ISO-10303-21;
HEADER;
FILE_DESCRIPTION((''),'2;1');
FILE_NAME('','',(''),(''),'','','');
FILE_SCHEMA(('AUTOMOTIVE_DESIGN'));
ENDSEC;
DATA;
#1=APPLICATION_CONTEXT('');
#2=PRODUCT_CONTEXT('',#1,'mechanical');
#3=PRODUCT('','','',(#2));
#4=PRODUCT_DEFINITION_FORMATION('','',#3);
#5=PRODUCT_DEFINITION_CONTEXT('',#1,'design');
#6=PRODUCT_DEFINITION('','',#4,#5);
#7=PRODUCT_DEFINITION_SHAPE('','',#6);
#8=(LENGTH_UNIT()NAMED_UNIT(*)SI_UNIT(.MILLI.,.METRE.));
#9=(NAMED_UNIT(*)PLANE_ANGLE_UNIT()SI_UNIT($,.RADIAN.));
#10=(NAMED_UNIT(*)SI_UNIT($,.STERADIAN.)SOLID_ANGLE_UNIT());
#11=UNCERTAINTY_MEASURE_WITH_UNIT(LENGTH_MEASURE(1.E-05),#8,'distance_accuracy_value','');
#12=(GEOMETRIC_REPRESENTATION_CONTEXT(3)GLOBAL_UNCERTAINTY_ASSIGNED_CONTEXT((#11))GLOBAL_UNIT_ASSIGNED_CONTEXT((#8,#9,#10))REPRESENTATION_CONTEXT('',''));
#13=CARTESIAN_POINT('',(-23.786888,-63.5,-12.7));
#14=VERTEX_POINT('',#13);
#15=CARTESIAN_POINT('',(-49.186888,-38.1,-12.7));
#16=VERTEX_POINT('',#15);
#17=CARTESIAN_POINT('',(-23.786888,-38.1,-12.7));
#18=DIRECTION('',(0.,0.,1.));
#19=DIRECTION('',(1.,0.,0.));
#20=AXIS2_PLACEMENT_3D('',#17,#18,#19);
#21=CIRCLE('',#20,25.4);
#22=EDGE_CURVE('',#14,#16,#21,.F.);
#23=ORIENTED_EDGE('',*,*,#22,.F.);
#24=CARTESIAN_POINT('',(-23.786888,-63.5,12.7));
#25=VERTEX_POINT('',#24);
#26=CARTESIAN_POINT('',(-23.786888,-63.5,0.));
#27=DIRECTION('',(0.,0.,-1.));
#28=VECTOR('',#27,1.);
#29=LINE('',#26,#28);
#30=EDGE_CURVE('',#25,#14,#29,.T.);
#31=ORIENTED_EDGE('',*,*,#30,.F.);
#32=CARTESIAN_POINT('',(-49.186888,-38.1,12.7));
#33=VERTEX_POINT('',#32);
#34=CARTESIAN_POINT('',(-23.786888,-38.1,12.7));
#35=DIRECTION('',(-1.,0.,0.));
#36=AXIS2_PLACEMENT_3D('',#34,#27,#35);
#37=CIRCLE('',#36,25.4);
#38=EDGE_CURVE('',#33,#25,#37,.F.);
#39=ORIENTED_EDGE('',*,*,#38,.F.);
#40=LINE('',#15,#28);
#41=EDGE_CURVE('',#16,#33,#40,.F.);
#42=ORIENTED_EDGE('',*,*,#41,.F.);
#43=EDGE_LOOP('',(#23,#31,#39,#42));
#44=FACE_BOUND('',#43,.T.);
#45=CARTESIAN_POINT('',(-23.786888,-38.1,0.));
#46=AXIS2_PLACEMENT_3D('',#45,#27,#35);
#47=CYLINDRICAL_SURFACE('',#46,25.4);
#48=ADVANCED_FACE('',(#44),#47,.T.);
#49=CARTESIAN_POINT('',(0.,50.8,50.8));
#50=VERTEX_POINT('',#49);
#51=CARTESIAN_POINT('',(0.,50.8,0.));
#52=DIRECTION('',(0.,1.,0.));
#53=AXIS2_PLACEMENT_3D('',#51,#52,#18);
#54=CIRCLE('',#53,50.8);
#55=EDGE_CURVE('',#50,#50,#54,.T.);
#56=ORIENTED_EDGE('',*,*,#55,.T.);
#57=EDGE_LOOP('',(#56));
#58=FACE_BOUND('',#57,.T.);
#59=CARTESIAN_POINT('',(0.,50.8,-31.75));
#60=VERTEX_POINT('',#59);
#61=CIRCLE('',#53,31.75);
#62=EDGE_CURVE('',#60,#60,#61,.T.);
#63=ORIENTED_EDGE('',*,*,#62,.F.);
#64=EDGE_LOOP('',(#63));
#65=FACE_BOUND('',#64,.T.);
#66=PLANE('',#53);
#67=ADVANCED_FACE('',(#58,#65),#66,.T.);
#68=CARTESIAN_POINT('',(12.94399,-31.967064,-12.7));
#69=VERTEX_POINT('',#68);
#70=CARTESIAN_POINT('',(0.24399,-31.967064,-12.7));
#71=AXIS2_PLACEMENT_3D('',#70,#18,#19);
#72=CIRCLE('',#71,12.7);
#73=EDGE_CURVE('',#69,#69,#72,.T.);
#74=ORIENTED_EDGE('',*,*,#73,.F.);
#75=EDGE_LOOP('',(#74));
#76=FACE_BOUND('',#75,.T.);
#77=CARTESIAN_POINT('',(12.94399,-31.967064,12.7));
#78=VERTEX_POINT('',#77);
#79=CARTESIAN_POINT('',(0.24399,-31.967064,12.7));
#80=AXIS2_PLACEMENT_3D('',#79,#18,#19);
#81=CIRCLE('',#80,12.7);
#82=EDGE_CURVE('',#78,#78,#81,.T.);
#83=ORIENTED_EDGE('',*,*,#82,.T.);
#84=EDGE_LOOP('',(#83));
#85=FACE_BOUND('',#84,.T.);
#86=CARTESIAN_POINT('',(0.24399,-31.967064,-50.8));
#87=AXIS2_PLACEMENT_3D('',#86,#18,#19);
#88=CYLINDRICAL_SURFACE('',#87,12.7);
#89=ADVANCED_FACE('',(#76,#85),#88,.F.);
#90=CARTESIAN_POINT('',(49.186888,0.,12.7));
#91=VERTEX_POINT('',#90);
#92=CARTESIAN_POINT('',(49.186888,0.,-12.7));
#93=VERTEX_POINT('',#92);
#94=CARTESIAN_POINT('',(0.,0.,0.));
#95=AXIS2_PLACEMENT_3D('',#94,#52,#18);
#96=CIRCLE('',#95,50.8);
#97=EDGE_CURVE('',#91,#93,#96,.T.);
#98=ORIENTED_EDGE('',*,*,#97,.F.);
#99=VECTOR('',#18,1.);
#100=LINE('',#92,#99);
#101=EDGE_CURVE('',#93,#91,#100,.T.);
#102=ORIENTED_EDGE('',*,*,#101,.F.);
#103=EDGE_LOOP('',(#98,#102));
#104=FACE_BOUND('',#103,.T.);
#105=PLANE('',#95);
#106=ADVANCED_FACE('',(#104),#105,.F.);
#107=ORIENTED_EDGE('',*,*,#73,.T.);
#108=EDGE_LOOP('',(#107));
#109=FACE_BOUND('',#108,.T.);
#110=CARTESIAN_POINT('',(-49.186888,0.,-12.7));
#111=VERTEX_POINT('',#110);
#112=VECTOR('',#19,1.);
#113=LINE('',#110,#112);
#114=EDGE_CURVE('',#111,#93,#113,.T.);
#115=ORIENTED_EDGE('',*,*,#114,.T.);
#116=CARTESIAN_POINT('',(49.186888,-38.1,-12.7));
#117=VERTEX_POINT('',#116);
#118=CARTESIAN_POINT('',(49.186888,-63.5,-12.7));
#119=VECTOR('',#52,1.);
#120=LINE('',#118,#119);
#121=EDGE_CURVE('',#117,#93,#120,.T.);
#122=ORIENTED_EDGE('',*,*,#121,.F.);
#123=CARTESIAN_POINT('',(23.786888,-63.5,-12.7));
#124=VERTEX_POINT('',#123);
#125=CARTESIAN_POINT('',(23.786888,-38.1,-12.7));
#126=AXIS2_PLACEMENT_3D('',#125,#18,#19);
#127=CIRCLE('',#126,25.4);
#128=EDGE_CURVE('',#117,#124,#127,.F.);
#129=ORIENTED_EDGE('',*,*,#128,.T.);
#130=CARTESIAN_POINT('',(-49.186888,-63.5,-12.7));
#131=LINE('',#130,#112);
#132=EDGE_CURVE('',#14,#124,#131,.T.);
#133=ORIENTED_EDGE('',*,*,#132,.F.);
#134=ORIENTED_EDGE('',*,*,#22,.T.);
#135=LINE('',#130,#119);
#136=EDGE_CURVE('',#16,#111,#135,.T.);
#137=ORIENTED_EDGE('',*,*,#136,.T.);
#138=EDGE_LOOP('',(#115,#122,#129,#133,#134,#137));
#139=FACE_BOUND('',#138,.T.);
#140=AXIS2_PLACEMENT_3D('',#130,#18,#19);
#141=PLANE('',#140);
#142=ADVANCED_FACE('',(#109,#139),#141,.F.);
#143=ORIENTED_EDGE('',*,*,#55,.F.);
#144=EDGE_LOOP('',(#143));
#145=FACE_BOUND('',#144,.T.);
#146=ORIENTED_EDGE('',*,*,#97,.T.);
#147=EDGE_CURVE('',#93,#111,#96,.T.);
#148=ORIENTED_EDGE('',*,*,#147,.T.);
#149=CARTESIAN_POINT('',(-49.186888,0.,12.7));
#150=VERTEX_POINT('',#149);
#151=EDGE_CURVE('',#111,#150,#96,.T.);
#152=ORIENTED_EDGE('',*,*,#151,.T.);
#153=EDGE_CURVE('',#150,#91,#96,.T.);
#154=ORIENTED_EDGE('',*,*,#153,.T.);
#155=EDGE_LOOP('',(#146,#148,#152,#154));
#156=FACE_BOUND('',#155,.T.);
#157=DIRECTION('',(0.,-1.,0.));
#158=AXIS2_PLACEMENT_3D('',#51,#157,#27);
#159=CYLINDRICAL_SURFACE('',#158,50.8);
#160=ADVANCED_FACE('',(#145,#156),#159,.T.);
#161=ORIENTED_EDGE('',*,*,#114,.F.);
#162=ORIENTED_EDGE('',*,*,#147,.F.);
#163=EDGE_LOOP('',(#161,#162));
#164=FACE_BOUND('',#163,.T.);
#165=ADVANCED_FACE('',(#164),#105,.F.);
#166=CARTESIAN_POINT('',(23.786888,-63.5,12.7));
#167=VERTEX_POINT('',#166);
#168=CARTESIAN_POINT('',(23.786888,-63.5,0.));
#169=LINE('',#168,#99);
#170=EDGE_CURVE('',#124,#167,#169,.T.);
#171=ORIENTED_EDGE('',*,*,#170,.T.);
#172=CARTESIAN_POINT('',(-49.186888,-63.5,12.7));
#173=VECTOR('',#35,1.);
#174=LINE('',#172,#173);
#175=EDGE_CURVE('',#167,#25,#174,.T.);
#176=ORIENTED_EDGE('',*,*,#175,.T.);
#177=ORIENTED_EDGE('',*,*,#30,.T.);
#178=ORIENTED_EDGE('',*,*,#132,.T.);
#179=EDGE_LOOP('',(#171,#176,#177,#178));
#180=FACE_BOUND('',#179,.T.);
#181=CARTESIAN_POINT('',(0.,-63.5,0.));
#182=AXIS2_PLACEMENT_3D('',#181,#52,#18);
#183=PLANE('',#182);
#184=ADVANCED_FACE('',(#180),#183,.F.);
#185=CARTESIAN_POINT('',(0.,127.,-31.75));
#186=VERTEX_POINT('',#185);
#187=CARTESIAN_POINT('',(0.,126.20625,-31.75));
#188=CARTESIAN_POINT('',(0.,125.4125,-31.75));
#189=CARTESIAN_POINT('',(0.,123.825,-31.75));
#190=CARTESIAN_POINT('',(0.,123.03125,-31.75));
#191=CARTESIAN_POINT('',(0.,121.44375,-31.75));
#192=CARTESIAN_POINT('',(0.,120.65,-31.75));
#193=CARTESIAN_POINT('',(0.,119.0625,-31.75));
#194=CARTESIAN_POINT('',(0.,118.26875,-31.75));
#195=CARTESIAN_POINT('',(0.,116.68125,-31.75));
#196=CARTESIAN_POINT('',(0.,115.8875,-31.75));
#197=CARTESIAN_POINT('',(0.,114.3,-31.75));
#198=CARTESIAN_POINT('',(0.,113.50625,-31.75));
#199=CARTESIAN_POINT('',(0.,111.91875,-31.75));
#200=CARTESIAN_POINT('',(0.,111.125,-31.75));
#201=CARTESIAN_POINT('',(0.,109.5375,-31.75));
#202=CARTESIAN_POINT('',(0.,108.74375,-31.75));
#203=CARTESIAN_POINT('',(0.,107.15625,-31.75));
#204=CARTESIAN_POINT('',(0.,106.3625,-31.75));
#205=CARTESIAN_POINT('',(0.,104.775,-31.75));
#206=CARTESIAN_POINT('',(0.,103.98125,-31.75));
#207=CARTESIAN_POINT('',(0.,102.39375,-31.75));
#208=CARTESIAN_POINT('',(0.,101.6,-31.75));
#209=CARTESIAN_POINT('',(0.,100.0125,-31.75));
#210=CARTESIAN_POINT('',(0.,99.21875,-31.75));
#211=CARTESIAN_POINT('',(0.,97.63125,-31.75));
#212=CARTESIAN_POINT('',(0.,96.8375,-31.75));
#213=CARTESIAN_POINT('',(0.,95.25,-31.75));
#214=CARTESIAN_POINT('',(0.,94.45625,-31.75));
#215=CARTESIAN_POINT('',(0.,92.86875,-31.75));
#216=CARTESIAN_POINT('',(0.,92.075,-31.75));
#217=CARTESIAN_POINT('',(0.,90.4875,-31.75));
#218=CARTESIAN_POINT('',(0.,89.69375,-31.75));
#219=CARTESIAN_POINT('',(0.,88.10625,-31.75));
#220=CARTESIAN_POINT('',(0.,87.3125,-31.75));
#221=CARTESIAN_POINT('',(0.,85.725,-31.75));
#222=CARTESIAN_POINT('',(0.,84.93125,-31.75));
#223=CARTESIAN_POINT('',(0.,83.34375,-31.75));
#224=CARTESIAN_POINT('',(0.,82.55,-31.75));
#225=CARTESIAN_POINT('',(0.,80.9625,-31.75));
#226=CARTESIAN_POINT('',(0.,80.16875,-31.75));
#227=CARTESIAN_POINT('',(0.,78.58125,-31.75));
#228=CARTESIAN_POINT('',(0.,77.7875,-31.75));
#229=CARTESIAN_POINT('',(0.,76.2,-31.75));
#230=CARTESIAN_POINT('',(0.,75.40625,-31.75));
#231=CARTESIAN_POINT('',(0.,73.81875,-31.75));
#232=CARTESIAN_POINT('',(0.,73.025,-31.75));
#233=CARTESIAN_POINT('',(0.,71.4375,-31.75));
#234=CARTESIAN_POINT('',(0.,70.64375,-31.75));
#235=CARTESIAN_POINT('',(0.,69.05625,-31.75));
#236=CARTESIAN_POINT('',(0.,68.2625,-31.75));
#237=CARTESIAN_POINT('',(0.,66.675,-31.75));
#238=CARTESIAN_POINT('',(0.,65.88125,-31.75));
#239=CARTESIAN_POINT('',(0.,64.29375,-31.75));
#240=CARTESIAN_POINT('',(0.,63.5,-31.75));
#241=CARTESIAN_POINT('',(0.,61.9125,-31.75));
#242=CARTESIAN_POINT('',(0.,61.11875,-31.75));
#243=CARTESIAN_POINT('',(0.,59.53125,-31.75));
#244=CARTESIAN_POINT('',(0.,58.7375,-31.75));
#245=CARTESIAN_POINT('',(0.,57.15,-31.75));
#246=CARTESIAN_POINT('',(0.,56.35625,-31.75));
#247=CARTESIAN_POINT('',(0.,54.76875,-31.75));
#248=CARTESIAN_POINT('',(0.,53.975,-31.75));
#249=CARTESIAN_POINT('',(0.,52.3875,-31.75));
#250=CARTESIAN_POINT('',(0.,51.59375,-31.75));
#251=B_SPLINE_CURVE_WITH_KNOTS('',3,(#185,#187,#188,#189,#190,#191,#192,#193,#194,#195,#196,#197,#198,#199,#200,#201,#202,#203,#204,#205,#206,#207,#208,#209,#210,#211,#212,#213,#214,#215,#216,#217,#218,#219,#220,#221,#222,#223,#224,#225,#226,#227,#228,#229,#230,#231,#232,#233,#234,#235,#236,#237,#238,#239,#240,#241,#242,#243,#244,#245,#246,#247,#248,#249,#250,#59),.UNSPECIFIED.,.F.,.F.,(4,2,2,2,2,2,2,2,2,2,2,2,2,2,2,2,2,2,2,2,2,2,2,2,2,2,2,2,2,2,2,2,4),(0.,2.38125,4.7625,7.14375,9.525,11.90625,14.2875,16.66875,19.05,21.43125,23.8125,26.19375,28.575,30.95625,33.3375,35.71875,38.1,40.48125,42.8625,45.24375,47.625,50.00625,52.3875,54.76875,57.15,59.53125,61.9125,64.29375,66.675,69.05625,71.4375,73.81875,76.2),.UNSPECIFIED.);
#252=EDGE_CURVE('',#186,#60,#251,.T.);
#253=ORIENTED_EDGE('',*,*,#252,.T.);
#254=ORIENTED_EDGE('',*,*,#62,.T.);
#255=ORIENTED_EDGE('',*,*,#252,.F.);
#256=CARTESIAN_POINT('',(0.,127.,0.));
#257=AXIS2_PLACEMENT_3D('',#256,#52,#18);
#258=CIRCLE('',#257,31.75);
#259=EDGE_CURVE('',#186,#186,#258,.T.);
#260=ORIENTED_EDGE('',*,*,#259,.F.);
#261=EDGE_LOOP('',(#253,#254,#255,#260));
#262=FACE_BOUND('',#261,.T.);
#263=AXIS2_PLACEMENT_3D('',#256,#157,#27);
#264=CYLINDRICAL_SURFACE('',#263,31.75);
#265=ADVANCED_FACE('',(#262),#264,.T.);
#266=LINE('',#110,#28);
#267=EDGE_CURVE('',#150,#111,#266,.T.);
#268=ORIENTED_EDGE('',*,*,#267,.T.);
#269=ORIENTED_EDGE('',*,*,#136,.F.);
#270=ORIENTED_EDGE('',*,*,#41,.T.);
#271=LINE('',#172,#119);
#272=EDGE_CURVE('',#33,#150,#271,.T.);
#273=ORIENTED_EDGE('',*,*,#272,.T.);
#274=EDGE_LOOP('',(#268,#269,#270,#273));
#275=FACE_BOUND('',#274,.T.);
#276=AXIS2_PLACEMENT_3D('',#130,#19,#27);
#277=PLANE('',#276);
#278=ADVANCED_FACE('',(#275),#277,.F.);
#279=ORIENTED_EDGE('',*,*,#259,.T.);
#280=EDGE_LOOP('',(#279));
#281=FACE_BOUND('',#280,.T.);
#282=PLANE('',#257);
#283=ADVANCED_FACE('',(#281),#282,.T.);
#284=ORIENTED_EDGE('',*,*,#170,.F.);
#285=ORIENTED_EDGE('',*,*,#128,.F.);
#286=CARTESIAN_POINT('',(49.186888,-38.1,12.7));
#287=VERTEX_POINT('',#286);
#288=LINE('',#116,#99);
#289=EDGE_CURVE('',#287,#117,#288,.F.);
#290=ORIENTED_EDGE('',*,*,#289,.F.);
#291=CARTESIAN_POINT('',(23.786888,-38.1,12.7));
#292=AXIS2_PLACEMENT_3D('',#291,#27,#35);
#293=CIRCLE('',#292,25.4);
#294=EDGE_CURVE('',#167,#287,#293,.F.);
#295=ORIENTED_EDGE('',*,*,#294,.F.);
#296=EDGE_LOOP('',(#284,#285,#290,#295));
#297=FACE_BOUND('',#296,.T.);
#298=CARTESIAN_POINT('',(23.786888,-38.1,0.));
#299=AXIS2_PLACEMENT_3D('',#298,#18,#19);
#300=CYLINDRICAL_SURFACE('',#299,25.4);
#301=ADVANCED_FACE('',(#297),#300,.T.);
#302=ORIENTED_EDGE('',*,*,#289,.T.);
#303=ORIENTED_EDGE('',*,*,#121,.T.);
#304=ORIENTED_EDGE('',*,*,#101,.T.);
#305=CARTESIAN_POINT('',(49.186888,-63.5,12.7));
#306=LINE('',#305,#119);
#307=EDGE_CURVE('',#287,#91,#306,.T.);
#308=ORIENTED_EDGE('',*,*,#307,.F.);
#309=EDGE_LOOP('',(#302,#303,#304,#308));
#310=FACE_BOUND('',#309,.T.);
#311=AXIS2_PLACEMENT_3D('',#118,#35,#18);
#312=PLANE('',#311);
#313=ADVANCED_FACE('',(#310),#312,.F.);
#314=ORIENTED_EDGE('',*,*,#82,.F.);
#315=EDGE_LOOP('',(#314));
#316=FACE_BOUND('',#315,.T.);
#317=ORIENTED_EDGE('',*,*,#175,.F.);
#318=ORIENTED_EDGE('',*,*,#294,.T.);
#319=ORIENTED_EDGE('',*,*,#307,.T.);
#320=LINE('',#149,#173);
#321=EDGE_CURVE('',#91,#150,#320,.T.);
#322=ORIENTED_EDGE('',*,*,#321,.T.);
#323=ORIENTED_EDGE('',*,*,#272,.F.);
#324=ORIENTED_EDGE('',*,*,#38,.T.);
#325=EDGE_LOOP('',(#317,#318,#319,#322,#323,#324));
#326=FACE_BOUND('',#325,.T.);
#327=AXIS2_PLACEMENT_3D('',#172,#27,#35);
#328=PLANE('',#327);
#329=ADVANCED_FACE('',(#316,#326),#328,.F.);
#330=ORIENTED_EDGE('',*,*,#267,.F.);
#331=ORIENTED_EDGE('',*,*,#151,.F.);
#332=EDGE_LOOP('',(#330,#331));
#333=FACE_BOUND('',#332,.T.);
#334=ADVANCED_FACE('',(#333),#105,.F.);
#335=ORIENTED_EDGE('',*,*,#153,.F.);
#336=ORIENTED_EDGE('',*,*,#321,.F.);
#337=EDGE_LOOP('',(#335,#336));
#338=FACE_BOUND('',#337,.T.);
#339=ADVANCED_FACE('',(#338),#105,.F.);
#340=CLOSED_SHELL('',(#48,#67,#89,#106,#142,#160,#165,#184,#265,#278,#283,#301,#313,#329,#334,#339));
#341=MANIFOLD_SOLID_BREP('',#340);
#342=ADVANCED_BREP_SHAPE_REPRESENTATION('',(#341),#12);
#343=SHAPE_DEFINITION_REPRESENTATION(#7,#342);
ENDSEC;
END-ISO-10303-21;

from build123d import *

# Parameters (mm, degrees)
SKETCH1_R           = 50.8
BOSS_EXTRUDE1_DEPTH = 50.8
SKETCH2_R           = 31.75
BOSS_EXTRUDE2_DEPTH = 76.2
SKETCH3_W           = 98.373776994
SKETCH3_H           = 25.4
BOSS_EXTRUDE3_DEPTH = 63.5
SKETCH4_R           = 12.7
CUT_EXTRUDE1_DEPTH  = 151.804144505
FILLET1_R           = 25.4
FILLET2_R           = 25.4


with BuildPart() as part:
    # Sketch1 → Boss-Extrude1 (new body)
    with BuildSketch(Plane(origin=(0, 0, 0), x_dir=(1, 0, 0), z_dir=(0, 1, 0))):
        with Locations(Location((0, 0, 0), (0, 0, 270))):
            Circle(SKETCH1_R)
    extrude(amount=BOSS_EXTRUDE1_DEPTH)

    # Sketch2 → Boss-Extrude2 (add)
    with BuildSketch(Plane(origin=(0, 50.8, 0), x_dir=(1, 0, 0), z_dir=(0, 1, 0))):
        with Locations(Location((0, 0, 0), (0, 0, 90))):
            Circle(SKETCH2_R)
    extrude(amount=BOSS_EXTRUDE2_DEPTH)

    # Sketch3 → Boss-Extrude3 (add)
    with BuildSketch(Plane.XZ):
        Rectangle(SKETCH3_W, SKETCH3_H)
    extrude(amount=BOSS_EXTRUDE3_DEPTH)

    # Sketch4 → Cut-Extrude1 (cut, through all)
    with BuildSketch(Plane.XY.offset(12.7)):
        with Locations((0.243990196, -31.967064289)):
            Circle(SKETCH4_R)
    extrude(amount=-CUT_EXTRUDE1_DEPTH, mode=Mode.SUBTRACT)

    # Fillet1
    fillet1_edges = [part.edges().sort_by_distance(p)[0] for p in [
        (-49.186888497, -63.5, 0),
    ]]
    fillet(fillet1_edges, radius=FILLET1_R)

    # Fillet2
    fillet2_edges = [part.edges().sort_by_distance(p)[0] for p in [
        (49.186888497, -63.5, 0),
    ]]
    fillet(fillet2_edges, radius=FILLET2_R)


solid = part.part
